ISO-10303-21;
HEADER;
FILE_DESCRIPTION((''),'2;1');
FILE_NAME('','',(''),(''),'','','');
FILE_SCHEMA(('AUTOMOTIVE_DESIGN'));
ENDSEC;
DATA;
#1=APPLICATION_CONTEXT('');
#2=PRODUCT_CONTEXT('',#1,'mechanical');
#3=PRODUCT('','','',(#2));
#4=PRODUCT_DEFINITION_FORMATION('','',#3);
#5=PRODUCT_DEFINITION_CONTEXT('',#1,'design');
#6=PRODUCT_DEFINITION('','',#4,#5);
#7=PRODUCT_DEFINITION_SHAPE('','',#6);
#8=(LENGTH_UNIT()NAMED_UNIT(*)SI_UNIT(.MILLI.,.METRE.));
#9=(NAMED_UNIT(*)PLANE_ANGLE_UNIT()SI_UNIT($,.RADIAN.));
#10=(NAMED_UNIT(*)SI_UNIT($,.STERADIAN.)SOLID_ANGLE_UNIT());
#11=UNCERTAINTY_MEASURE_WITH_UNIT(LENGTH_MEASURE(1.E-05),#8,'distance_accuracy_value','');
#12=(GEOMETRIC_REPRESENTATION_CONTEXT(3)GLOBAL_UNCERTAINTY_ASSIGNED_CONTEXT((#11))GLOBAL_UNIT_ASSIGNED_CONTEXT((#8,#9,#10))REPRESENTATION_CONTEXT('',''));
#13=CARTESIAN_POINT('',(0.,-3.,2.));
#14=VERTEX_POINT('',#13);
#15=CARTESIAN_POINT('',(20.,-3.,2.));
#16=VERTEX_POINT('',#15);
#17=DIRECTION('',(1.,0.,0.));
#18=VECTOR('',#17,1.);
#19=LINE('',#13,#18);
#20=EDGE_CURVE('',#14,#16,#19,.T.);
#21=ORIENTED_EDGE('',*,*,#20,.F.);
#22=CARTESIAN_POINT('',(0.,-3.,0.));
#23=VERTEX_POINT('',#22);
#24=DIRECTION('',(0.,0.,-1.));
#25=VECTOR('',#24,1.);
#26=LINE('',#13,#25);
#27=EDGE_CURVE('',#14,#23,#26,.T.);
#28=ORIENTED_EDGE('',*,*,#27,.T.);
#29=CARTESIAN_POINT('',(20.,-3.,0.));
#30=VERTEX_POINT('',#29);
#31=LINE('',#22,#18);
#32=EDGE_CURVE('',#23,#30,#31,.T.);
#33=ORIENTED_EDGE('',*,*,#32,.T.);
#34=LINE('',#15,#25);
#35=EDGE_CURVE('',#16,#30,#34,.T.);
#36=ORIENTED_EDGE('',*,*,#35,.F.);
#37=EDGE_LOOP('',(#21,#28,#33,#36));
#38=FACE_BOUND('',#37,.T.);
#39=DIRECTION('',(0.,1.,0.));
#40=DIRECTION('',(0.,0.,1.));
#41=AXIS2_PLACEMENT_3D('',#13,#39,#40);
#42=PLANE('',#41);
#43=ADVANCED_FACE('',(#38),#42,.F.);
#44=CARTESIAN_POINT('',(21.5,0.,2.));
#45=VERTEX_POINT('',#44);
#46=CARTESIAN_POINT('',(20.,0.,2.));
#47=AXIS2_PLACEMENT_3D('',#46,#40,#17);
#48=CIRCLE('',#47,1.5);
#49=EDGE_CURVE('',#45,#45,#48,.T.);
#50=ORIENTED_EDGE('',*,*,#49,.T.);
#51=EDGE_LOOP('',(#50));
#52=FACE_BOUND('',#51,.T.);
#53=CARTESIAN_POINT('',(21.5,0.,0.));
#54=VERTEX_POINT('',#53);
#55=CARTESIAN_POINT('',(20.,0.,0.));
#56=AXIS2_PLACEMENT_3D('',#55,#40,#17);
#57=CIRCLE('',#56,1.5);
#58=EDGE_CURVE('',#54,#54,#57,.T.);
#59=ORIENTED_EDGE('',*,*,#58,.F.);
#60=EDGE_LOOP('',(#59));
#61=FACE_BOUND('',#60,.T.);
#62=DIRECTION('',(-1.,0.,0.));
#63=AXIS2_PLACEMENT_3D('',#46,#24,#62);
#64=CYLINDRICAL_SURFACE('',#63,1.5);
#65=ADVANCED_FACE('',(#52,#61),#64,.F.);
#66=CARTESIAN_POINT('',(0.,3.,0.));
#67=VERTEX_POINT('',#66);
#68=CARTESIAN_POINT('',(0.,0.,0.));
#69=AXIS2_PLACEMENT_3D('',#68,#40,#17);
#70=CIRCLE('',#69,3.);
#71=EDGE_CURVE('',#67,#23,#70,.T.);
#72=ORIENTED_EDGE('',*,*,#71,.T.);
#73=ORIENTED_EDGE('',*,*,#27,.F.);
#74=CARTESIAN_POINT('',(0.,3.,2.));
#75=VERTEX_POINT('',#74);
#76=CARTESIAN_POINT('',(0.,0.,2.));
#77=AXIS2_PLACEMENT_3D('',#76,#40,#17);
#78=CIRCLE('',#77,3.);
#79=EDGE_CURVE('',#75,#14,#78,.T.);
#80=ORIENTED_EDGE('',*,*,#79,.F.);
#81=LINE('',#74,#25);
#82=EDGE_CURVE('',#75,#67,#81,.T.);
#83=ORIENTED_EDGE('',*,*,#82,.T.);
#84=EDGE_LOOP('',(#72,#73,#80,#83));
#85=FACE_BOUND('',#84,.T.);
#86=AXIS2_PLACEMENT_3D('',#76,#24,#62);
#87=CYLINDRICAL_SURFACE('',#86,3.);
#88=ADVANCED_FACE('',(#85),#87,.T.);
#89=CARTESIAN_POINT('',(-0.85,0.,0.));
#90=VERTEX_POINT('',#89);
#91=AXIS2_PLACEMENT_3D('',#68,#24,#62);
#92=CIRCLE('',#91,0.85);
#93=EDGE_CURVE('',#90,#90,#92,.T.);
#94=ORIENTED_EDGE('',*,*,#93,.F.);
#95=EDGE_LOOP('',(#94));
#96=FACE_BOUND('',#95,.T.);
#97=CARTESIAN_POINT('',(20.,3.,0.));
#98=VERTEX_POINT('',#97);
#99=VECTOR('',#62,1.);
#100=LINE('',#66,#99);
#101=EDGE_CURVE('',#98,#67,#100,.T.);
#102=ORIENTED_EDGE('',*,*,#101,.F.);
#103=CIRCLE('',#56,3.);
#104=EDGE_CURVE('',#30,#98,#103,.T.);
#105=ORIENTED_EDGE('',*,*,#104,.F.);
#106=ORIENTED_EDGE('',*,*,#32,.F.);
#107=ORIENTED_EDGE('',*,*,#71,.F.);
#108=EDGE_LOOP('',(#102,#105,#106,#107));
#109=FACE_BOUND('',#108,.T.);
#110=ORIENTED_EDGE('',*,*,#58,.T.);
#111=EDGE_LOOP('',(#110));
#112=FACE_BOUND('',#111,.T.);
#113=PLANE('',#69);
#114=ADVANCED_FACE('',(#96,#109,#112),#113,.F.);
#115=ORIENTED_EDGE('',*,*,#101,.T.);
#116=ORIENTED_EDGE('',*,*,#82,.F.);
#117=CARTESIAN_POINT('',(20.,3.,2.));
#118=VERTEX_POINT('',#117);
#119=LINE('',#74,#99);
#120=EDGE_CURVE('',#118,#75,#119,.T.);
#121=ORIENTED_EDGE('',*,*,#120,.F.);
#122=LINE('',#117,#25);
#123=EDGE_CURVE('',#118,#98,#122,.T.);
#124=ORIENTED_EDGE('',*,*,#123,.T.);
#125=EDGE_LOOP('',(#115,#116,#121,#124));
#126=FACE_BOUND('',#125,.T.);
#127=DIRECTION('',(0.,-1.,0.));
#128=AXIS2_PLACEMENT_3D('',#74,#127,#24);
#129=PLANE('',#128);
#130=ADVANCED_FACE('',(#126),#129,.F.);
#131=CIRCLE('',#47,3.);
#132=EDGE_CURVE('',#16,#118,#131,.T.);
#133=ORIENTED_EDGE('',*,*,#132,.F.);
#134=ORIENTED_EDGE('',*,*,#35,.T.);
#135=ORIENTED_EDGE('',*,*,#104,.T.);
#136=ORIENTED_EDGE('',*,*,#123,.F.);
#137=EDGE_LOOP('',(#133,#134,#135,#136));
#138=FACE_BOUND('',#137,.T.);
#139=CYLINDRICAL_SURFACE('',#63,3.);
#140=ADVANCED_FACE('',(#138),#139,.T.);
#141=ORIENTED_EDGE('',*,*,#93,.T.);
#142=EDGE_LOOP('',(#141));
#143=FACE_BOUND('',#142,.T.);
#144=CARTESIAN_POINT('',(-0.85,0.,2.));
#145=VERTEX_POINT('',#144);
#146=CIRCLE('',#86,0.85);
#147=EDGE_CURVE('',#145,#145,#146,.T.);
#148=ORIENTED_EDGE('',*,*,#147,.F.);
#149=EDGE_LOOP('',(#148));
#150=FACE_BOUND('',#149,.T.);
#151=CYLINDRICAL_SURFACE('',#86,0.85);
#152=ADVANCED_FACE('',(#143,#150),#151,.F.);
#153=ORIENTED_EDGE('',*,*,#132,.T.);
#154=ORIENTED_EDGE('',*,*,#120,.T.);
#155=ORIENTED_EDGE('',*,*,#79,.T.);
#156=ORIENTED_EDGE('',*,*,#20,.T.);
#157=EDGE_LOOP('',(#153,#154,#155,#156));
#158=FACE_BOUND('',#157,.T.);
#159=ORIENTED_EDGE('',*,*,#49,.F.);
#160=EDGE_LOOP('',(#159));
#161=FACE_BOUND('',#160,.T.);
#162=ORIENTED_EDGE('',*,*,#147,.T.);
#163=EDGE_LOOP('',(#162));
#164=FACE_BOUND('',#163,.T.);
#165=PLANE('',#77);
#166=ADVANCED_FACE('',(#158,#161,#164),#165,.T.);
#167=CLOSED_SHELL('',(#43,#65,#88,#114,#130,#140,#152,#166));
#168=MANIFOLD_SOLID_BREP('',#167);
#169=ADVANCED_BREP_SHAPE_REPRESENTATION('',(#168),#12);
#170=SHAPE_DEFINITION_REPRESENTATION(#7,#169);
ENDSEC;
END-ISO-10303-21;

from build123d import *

# Parameters (mm, degrees)
SKETCH_1_R      = 1.5
EXTRUDE_1_DEPTH = 2
SKETCH_4_R      = 1.5
SKETCH_4_R_2    = 0.85
EXTRUDE_6_DEPTH = 2


with BuildPart() as part:
    # 草图1 → 凸台-拉伸1 (new body)
    with BuildSketch(Plane.XY):
        with BuildLine():
            Line((0, 3), (20, 3))
            ThreePointArc((20, 3), (23, 0), (20, -3))
            Line((20, -3), (0, -3))
            ThreePointArc((0, -3), (-3, 0), (0, 3))
        make_face()
        Circle(SKETCH_1_R, mode=Mode.SUBTRACT)
        with Locations((20, 0)):
            Circle(SKETCH_1_R, mode=Mode.SUBTRACT)
    extrude(amount=EXTRUDE_1_DEPTH)

    # 草图4 → 凸台-拉伸6 (add, through all)
    with BuildSketch(Plane(origin=(0, 0, 0), x_dir=(-1, 0, 0), z_dir=(0, 0, -1))):
        Circle(SKETCH_4_R)
        Circle(SKETCH_4_R_2, mode=Mode.SUBTRACT)
    extrude(amount=-EXTRUDE_6_DEPTH)


solid = part.part
